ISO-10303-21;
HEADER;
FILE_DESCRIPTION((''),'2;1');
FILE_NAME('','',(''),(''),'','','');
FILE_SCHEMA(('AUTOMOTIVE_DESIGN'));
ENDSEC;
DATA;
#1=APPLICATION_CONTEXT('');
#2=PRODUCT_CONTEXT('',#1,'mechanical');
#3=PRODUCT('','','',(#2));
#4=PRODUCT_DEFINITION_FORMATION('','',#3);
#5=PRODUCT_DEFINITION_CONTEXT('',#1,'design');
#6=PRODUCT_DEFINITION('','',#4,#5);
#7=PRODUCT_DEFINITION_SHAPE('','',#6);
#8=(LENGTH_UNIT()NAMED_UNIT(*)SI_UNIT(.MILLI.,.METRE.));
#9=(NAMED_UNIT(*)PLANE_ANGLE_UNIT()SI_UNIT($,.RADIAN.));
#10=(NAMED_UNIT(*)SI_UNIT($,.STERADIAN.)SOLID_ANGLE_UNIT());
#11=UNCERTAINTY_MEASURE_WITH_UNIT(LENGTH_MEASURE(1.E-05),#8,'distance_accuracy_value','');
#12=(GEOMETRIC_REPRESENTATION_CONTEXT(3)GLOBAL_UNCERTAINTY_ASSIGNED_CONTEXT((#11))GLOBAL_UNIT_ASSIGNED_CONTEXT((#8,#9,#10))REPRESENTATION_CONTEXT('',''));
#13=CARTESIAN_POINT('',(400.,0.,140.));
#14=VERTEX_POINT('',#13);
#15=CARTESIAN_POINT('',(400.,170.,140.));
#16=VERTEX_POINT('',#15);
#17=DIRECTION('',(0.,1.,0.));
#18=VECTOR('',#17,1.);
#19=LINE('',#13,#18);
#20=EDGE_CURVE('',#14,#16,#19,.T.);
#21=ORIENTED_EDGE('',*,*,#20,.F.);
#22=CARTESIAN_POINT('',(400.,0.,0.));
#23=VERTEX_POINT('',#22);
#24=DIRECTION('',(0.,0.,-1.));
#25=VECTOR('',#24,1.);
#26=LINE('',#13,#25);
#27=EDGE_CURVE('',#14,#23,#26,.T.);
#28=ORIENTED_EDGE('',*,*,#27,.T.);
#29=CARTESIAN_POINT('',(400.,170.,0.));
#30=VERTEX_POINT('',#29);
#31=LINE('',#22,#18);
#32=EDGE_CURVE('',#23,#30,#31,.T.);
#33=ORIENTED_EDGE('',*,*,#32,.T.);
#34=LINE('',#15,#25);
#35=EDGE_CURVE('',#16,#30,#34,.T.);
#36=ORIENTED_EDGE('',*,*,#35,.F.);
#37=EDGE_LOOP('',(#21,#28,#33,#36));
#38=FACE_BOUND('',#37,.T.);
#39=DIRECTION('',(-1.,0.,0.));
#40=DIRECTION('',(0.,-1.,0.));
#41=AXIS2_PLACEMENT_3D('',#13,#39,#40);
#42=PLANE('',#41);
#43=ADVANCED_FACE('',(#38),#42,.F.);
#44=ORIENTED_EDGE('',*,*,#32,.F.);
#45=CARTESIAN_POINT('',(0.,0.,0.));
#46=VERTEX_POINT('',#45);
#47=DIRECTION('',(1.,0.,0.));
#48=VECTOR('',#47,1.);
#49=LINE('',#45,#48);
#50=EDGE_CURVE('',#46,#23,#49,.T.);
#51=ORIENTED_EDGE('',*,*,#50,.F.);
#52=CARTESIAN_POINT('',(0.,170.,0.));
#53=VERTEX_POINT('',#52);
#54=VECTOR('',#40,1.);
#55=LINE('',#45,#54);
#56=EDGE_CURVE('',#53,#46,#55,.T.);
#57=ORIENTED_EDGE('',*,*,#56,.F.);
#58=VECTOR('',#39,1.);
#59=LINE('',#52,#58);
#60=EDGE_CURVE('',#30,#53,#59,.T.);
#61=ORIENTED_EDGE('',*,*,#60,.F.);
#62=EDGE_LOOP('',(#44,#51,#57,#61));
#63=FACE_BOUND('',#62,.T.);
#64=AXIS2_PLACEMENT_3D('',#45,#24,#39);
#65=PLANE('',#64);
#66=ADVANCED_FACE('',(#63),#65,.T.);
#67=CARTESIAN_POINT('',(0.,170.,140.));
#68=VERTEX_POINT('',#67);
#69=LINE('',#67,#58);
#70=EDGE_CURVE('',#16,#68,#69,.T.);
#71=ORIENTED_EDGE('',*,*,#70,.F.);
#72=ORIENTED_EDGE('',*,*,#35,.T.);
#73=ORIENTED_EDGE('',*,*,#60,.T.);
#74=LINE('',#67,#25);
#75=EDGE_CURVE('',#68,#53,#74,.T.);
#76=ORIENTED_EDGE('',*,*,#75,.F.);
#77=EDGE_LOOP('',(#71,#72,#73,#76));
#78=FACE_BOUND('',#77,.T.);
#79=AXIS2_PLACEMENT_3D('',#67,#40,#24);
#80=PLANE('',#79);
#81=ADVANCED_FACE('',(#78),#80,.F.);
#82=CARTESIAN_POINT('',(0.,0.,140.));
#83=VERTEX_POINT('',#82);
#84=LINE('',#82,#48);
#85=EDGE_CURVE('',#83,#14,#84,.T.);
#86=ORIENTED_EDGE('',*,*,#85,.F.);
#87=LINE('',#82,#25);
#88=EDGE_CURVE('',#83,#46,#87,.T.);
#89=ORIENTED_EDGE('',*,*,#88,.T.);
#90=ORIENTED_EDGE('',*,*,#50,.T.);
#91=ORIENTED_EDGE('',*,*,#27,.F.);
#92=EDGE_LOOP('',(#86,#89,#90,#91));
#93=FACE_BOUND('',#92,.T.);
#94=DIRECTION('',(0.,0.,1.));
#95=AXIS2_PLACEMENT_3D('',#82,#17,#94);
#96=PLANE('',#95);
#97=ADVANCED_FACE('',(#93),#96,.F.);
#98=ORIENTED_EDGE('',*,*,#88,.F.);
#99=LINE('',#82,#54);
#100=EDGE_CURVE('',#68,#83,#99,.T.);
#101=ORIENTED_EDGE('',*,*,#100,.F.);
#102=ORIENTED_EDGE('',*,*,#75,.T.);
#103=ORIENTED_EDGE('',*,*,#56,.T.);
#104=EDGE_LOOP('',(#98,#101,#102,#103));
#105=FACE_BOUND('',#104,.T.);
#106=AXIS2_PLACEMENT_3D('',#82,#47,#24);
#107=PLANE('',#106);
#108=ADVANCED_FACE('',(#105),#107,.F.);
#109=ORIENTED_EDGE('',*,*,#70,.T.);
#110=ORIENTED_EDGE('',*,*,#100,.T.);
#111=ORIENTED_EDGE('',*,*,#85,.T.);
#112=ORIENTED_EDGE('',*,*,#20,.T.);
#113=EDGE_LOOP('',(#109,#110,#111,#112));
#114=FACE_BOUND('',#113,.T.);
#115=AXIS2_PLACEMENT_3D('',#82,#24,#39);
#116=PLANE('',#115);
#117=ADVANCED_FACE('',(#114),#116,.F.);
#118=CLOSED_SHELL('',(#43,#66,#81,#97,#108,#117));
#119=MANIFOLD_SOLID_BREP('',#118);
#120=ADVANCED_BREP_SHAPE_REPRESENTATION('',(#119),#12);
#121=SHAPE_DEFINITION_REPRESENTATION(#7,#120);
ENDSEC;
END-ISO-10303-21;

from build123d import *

# Parameters (mm, degrees)
SKETCH_1_W      = 400
SKETCH_1_H      = 170
EXTRUDE_1_DEPTH = 140


with BuildPart() as part:
    # 草图1 → 凸台-拉伸1 (new body)
    with BuildSketch(Plane.XY):
        with Locations((200, 85)):
            Rectangle(SKETCH_1_W, SKETCH_1_H)
    extrude(amount=EXTRUDE_1_DEPTH)


solid = part.part
